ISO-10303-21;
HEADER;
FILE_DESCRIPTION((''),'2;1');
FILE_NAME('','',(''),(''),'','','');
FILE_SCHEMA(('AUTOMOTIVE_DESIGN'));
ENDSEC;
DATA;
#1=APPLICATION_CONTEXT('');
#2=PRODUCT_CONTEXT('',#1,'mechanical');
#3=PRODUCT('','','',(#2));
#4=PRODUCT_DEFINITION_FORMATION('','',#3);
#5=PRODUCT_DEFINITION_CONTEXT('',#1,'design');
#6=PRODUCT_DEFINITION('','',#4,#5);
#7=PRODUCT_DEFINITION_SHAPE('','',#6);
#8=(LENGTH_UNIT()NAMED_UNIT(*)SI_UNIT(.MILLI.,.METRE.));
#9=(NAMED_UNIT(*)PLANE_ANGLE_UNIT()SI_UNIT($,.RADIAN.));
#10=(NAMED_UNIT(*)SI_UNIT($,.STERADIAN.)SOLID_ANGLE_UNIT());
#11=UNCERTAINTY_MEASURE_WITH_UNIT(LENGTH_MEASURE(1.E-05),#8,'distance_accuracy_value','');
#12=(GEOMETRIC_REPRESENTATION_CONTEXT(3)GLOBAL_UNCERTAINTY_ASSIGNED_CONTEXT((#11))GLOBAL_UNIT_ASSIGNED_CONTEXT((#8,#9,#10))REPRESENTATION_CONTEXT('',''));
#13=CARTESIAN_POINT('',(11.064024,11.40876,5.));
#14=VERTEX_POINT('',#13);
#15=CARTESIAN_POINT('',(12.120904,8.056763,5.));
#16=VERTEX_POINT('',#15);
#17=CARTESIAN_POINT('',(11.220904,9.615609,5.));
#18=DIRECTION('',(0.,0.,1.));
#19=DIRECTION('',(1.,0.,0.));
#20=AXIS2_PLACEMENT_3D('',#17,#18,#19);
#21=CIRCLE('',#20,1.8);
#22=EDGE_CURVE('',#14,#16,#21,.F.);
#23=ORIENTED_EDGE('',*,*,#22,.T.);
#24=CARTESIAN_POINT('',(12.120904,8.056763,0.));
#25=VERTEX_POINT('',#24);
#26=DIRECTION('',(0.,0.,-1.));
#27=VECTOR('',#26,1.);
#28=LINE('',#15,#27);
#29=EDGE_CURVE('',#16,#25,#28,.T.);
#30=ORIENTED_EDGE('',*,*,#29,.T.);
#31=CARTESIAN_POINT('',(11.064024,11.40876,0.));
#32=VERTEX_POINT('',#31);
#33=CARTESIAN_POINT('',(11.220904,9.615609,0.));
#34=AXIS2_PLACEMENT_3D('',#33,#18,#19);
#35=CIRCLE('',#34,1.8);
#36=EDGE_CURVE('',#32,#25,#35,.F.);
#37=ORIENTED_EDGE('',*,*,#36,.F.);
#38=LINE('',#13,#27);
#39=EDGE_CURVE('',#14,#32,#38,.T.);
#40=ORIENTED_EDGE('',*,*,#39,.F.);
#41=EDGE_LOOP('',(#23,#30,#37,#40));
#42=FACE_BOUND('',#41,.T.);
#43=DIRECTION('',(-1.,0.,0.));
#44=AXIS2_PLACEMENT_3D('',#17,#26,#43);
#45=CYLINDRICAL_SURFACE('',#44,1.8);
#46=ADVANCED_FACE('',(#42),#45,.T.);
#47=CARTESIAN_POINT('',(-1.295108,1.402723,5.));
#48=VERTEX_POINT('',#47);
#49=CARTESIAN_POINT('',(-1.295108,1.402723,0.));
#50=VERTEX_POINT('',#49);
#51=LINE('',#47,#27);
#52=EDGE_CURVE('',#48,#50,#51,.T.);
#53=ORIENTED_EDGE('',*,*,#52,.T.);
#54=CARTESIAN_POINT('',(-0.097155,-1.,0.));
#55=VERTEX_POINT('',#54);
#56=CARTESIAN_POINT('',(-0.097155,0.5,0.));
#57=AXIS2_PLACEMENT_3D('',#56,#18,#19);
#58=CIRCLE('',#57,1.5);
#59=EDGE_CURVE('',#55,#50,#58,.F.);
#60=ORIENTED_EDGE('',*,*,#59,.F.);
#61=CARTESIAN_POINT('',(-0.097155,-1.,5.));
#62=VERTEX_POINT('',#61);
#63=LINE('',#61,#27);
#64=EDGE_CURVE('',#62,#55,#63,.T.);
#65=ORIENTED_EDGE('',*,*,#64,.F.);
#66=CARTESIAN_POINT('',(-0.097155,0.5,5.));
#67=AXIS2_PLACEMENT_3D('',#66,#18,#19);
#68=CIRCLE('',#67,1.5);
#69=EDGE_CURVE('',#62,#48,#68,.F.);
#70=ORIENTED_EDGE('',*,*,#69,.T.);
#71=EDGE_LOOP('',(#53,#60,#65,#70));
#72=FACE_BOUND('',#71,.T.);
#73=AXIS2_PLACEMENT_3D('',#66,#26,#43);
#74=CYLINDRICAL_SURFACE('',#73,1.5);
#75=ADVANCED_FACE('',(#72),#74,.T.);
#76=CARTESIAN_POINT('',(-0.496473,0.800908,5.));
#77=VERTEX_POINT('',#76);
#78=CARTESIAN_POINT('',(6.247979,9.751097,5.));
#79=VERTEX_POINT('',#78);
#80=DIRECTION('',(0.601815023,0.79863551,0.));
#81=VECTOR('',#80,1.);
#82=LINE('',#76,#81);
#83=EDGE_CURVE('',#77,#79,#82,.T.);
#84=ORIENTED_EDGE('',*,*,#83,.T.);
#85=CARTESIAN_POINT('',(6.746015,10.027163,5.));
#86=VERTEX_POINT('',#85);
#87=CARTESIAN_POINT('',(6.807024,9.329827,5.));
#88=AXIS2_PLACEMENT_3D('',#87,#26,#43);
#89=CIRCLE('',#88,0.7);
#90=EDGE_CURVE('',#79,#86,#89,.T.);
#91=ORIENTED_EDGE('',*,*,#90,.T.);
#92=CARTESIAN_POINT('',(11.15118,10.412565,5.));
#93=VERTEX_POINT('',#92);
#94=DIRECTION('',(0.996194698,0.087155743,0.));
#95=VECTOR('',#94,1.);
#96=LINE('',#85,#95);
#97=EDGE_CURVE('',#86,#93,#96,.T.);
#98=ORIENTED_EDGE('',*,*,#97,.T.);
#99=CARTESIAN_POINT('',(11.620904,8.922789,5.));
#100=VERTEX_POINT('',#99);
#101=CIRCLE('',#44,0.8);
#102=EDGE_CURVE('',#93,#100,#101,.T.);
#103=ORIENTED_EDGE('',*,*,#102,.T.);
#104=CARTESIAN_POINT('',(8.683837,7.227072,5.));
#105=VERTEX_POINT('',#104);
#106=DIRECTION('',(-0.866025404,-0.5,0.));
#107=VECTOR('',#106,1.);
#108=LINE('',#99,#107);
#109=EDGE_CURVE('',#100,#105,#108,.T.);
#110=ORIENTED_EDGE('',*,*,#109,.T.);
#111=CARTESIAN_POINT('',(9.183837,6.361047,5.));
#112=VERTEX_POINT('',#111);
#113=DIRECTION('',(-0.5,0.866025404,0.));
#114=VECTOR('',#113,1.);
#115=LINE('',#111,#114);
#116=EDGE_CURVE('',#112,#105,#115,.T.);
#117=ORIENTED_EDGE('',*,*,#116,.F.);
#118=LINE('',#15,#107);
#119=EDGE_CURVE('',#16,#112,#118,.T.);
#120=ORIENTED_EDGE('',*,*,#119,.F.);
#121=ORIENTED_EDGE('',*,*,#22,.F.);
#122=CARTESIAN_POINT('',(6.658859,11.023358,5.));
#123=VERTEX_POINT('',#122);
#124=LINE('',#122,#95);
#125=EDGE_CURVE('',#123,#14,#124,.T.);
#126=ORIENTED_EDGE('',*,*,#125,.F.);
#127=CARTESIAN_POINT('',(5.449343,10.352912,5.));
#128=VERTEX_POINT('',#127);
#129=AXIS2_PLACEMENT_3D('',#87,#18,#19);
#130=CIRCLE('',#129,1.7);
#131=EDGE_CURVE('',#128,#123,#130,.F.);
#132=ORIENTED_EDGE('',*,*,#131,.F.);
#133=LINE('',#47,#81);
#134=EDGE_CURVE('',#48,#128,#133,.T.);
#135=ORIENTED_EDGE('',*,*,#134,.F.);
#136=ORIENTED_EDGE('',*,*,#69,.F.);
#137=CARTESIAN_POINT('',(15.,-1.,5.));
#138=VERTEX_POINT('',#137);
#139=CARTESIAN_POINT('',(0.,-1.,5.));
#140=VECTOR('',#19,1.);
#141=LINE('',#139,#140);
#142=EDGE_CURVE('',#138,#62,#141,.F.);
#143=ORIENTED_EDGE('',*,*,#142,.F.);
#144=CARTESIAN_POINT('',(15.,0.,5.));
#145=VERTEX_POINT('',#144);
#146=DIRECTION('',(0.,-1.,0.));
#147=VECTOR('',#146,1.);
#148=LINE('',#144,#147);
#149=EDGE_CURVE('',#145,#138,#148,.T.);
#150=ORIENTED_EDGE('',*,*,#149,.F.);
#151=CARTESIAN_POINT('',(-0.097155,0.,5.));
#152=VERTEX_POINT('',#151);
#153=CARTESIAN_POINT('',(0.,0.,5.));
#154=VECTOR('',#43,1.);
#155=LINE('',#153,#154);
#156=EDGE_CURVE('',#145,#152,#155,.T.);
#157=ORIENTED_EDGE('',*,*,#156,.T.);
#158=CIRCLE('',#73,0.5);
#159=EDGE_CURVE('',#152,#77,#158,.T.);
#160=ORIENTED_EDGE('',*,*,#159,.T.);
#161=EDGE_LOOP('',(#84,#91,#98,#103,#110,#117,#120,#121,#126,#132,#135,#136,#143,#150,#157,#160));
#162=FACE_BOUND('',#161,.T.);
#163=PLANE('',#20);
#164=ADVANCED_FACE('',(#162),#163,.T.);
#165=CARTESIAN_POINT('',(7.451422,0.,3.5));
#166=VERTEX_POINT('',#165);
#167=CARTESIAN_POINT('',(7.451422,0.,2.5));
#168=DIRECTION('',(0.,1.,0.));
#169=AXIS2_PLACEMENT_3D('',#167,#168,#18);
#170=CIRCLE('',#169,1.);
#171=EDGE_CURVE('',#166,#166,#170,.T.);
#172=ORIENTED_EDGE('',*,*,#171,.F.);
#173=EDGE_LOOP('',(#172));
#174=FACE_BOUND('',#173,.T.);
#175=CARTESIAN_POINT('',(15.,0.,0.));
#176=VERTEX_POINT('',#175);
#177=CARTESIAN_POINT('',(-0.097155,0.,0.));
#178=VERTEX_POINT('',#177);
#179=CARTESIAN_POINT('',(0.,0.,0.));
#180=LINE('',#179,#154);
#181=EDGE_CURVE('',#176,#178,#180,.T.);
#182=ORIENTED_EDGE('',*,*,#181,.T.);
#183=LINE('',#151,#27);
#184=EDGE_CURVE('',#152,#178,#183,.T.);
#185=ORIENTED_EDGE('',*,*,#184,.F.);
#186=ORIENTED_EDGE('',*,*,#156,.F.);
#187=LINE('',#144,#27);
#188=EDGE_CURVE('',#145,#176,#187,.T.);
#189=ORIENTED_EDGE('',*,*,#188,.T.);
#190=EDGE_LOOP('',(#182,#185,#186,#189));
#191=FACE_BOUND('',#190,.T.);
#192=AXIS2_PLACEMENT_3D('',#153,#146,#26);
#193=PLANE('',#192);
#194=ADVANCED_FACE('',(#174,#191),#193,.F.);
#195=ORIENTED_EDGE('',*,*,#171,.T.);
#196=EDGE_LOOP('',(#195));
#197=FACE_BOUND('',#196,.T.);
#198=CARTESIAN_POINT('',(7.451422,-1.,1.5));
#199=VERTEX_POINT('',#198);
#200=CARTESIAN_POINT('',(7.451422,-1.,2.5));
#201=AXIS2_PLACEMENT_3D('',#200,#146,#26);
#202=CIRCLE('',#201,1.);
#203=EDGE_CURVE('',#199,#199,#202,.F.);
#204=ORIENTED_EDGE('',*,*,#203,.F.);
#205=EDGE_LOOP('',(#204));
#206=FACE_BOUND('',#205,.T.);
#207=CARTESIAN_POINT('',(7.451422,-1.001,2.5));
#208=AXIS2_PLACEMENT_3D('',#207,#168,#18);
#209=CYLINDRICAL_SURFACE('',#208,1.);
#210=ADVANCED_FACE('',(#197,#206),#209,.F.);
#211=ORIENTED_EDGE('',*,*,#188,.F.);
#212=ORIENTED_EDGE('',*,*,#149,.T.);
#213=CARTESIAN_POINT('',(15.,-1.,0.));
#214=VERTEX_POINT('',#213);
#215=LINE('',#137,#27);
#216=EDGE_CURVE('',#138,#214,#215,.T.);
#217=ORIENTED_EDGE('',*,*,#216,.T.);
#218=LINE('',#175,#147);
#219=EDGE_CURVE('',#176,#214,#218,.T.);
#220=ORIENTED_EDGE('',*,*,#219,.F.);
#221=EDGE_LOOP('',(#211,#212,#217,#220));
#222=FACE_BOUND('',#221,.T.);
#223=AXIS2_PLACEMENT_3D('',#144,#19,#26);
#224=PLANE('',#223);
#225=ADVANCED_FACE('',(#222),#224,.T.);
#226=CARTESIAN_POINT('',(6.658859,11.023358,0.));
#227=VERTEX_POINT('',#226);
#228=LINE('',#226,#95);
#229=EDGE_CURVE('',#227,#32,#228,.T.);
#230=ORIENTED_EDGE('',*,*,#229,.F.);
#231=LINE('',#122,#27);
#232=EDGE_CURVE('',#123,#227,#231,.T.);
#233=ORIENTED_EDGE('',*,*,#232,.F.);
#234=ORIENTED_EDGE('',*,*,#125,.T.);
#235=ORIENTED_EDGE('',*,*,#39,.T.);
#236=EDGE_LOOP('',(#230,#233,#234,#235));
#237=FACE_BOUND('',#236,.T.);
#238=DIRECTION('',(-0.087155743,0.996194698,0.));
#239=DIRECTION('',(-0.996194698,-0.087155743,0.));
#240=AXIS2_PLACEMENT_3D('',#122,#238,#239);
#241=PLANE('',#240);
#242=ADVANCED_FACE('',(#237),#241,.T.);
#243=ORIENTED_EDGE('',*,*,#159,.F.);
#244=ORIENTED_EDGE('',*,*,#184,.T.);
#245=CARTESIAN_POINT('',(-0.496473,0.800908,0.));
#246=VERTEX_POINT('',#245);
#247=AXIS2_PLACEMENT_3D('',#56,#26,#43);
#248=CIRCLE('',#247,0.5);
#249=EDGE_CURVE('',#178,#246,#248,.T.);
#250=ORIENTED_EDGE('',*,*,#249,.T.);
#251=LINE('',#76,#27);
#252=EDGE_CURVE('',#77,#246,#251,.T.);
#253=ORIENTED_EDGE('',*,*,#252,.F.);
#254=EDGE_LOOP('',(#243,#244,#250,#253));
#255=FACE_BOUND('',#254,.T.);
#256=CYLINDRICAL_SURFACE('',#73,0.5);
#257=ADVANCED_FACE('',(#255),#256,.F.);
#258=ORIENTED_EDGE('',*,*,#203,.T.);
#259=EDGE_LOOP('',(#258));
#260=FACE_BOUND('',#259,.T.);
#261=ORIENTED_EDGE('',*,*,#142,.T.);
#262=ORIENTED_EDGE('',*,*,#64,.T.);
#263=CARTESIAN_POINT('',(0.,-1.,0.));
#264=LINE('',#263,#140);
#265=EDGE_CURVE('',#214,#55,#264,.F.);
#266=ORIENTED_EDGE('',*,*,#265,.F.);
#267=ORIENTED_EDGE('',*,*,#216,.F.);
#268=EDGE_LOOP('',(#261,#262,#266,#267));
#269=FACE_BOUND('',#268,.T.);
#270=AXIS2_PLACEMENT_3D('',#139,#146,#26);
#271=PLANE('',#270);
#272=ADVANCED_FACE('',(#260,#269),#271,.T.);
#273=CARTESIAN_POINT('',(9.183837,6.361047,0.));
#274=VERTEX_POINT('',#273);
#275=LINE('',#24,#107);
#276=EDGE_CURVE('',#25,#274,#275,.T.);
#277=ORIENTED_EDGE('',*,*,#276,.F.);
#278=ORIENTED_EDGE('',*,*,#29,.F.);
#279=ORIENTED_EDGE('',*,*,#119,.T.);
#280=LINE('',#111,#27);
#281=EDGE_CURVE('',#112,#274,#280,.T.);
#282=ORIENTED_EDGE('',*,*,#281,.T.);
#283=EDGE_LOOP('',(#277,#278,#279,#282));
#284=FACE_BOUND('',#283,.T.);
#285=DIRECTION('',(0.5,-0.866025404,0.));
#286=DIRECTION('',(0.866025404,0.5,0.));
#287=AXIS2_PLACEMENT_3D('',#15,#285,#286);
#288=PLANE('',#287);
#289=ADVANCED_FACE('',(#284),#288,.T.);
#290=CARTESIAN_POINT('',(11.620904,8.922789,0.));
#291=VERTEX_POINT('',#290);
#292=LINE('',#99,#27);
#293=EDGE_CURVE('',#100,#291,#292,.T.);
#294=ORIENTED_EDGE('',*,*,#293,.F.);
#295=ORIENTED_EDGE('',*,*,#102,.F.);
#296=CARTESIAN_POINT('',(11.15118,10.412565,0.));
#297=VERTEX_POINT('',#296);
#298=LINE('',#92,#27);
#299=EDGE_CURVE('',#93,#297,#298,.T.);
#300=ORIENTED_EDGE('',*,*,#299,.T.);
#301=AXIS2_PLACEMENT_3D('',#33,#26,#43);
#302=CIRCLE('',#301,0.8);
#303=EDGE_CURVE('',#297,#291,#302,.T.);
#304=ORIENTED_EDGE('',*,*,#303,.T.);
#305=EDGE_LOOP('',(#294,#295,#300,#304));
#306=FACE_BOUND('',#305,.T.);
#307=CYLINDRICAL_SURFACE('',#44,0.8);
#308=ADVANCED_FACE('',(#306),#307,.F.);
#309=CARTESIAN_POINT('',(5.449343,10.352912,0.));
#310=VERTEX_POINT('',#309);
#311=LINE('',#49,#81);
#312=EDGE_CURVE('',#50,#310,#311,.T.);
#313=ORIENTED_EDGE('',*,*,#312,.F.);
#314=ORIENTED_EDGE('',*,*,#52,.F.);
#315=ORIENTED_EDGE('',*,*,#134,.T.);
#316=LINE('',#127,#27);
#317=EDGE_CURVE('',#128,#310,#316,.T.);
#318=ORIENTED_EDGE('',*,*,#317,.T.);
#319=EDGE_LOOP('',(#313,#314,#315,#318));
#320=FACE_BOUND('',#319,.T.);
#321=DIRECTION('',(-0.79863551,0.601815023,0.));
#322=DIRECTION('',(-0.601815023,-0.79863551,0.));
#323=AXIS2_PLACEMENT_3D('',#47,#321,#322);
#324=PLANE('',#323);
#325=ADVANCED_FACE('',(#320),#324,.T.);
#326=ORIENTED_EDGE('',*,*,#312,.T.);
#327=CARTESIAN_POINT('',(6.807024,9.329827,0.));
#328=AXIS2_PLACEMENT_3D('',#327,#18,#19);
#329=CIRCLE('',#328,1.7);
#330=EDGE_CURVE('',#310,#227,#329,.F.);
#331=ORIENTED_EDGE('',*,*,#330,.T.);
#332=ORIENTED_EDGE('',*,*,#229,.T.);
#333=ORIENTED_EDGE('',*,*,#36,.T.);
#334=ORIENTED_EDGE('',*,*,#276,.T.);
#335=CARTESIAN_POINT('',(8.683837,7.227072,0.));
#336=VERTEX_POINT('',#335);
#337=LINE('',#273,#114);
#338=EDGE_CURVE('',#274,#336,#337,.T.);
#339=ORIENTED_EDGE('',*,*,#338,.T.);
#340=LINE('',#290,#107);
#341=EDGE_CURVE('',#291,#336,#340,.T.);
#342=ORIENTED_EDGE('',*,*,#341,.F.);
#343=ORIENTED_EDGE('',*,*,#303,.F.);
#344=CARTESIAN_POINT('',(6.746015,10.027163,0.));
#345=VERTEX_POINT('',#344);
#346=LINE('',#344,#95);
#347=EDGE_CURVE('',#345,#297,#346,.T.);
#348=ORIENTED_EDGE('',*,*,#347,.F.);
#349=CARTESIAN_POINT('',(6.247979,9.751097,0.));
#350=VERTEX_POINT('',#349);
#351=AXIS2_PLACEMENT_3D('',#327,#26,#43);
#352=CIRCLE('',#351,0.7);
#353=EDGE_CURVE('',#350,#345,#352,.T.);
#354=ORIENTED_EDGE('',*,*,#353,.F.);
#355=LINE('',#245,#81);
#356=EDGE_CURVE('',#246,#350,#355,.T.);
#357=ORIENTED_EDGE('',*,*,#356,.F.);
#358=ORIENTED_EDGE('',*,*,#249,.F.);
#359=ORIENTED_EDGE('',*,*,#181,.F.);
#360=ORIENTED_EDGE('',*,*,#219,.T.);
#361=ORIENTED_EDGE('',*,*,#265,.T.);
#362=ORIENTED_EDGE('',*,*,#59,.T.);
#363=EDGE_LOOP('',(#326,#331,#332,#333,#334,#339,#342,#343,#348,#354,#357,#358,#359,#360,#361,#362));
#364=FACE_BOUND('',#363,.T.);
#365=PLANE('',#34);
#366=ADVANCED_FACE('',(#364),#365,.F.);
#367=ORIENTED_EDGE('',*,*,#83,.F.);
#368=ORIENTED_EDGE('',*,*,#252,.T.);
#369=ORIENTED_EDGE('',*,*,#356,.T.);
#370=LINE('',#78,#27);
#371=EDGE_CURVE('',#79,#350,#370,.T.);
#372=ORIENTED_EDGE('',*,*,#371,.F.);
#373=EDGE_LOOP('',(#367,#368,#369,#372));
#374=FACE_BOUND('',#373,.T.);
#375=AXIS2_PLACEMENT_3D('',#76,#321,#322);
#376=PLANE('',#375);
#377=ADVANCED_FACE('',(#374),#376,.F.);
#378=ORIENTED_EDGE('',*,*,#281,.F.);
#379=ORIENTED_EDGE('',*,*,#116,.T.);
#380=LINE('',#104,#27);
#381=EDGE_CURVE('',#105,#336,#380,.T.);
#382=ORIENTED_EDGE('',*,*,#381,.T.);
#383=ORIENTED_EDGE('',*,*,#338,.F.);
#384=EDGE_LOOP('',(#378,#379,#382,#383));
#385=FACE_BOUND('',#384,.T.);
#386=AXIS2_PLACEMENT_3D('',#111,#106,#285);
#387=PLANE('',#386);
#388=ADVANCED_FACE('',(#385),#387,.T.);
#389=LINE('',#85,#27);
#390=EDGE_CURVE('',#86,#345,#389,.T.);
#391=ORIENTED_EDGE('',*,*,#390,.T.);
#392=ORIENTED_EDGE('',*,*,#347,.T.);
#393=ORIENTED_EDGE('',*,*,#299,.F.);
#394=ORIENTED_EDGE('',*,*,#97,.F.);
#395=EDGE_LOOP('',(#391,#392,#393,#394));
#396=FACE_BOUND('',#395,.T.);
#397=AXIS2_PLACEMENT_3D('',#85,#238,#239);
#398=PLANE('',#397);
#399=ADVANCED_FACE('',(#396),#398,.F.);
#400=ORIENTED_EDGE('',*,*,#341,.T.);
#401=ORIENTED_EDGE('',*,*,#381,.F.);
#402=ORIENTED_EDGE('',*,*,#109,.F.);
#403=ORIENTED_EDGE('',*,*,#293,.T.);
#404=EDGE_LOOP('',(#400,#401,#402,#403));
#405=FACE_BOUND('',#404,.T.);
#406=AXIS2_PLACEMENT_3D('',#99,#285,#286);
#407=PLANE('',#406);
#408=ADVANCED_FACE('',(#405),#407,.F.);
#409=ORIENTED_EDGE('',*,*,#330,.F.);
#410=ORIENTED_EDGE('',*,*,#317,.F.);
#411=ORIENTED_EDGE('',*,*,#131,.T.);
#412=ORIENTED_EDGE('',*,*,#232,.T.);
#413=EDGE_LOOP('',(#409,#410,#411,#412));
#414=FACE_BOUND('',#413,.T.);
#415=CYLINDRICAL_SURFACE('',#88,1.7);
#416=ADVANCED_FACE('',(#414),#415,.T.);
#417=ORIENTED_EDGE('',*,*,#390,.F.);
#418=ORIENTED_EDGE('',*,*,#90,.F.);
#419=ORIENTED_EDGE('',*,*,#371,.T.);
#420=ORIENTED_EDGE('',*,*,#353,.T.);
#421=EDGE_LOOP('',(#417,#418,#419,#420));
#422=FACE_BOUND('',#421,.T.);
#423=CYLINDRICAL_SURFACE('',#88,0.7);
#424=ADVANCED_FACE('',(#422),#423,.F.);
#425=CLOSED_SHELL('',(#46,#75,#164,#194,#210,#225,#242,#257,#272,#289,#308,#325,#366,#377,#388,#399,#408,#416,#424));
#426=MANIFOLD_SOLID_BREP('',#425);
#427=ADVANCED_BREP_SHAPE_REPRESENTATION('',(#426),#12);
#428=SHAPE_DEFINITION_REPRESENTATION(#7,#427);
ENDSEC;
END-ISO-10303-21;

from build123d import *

# Parameters (mm, degrees)
EXTRUDE_THIN2_DEPTH = 5
CUT_EXTRUDE1_REACH  = 21.502
SKETCH2_R           = 1


with BuildPart() as part:
    # Sketch1 → Extrude-Thin2 (new body)
    with BuildSketch(Plane.XY):
        with BuildLine():
            Line((8.683836794, 7.227072274), (11.620904097, 8.922788872))
            ThreePointArc((11.620904097, 8.922788872), (11.983877658, 9.856173835), (11.151179503, 10.412564954))
            Line((11.151179503, 10.412564954), (6.74601462, 10.027162966))
            ThreePointArc((6.74601462, 10.027162966), (6.467656906, 9.942060472), (6.247978783, 9.751097193))
            Line((6.247978783, 9.751097193), (-0.496472901, 0.800907512))
            ThreePointArc((-0.496472901, 0.800907512), (-0.544622327, 0.276901093), (-0.097155146, 0))
            Line((-0.097155146, 0), (0, 0))
            Line((0, 0), (15, 0))
            Line((15, 0), (15, -1))
            Line((15, -1), (0, -1))
            Line((0, -1), (-0.097155146, -1))
            ThreePointArc((-0.097155146, -1), (-1.439556688, -0.16929672), (-1.295108411, 1.402722535))
            Line((-1.295108411, 1.402722535), (5.449343273, 10.352912216))
            ThreePointArc((5.449343273, 10.352912216), (5.982847286, 10.816680179), (6.658858877, 11.023357664))
            Line((6.658858877, 11.023357664), (11.064023761, 11.408759652))
            ThreePointArc((11.064023761, 11.408759652), (12.937594609, 10.156879635), (12.120904097, 8.056763469))
            Line((12.120904097, 8.056763469), (9.183836794, 6.36104687))
            Line((9.183836794, 6.36104687), (8.683836794, 7.227072274))
        make_face()
    extrude(amount=EXTRUDE_THIN2_DEPTH)

    # Sketch2 → Cut-Extrude1 (cut, up to next)
    with BuildSketch(Plane(origin=(0, 0, 0), x_dir=(1, 0, 0), z_dir=(0, 1, 0)), mode=Mode.PRIVATE) as cut_extrude1_sk1:
        with Locations(Location((7.451422427, -2.5, 0), (0, 0, 270))):
            Circle(SKETCH2_R)
    cut_extrude1_tool1 = extrude(cut_extrude1_sk1.sketch, amount=-CUT_EXTRUDE1_REACH, mode=Mode.PRIVATE) & part.part
    add(cut_extrude1_tool1.solids().sort_by_distance((7.451422, 0, 2.5))[0], mode=Mode.SUBTRACT)


solid = part.part
